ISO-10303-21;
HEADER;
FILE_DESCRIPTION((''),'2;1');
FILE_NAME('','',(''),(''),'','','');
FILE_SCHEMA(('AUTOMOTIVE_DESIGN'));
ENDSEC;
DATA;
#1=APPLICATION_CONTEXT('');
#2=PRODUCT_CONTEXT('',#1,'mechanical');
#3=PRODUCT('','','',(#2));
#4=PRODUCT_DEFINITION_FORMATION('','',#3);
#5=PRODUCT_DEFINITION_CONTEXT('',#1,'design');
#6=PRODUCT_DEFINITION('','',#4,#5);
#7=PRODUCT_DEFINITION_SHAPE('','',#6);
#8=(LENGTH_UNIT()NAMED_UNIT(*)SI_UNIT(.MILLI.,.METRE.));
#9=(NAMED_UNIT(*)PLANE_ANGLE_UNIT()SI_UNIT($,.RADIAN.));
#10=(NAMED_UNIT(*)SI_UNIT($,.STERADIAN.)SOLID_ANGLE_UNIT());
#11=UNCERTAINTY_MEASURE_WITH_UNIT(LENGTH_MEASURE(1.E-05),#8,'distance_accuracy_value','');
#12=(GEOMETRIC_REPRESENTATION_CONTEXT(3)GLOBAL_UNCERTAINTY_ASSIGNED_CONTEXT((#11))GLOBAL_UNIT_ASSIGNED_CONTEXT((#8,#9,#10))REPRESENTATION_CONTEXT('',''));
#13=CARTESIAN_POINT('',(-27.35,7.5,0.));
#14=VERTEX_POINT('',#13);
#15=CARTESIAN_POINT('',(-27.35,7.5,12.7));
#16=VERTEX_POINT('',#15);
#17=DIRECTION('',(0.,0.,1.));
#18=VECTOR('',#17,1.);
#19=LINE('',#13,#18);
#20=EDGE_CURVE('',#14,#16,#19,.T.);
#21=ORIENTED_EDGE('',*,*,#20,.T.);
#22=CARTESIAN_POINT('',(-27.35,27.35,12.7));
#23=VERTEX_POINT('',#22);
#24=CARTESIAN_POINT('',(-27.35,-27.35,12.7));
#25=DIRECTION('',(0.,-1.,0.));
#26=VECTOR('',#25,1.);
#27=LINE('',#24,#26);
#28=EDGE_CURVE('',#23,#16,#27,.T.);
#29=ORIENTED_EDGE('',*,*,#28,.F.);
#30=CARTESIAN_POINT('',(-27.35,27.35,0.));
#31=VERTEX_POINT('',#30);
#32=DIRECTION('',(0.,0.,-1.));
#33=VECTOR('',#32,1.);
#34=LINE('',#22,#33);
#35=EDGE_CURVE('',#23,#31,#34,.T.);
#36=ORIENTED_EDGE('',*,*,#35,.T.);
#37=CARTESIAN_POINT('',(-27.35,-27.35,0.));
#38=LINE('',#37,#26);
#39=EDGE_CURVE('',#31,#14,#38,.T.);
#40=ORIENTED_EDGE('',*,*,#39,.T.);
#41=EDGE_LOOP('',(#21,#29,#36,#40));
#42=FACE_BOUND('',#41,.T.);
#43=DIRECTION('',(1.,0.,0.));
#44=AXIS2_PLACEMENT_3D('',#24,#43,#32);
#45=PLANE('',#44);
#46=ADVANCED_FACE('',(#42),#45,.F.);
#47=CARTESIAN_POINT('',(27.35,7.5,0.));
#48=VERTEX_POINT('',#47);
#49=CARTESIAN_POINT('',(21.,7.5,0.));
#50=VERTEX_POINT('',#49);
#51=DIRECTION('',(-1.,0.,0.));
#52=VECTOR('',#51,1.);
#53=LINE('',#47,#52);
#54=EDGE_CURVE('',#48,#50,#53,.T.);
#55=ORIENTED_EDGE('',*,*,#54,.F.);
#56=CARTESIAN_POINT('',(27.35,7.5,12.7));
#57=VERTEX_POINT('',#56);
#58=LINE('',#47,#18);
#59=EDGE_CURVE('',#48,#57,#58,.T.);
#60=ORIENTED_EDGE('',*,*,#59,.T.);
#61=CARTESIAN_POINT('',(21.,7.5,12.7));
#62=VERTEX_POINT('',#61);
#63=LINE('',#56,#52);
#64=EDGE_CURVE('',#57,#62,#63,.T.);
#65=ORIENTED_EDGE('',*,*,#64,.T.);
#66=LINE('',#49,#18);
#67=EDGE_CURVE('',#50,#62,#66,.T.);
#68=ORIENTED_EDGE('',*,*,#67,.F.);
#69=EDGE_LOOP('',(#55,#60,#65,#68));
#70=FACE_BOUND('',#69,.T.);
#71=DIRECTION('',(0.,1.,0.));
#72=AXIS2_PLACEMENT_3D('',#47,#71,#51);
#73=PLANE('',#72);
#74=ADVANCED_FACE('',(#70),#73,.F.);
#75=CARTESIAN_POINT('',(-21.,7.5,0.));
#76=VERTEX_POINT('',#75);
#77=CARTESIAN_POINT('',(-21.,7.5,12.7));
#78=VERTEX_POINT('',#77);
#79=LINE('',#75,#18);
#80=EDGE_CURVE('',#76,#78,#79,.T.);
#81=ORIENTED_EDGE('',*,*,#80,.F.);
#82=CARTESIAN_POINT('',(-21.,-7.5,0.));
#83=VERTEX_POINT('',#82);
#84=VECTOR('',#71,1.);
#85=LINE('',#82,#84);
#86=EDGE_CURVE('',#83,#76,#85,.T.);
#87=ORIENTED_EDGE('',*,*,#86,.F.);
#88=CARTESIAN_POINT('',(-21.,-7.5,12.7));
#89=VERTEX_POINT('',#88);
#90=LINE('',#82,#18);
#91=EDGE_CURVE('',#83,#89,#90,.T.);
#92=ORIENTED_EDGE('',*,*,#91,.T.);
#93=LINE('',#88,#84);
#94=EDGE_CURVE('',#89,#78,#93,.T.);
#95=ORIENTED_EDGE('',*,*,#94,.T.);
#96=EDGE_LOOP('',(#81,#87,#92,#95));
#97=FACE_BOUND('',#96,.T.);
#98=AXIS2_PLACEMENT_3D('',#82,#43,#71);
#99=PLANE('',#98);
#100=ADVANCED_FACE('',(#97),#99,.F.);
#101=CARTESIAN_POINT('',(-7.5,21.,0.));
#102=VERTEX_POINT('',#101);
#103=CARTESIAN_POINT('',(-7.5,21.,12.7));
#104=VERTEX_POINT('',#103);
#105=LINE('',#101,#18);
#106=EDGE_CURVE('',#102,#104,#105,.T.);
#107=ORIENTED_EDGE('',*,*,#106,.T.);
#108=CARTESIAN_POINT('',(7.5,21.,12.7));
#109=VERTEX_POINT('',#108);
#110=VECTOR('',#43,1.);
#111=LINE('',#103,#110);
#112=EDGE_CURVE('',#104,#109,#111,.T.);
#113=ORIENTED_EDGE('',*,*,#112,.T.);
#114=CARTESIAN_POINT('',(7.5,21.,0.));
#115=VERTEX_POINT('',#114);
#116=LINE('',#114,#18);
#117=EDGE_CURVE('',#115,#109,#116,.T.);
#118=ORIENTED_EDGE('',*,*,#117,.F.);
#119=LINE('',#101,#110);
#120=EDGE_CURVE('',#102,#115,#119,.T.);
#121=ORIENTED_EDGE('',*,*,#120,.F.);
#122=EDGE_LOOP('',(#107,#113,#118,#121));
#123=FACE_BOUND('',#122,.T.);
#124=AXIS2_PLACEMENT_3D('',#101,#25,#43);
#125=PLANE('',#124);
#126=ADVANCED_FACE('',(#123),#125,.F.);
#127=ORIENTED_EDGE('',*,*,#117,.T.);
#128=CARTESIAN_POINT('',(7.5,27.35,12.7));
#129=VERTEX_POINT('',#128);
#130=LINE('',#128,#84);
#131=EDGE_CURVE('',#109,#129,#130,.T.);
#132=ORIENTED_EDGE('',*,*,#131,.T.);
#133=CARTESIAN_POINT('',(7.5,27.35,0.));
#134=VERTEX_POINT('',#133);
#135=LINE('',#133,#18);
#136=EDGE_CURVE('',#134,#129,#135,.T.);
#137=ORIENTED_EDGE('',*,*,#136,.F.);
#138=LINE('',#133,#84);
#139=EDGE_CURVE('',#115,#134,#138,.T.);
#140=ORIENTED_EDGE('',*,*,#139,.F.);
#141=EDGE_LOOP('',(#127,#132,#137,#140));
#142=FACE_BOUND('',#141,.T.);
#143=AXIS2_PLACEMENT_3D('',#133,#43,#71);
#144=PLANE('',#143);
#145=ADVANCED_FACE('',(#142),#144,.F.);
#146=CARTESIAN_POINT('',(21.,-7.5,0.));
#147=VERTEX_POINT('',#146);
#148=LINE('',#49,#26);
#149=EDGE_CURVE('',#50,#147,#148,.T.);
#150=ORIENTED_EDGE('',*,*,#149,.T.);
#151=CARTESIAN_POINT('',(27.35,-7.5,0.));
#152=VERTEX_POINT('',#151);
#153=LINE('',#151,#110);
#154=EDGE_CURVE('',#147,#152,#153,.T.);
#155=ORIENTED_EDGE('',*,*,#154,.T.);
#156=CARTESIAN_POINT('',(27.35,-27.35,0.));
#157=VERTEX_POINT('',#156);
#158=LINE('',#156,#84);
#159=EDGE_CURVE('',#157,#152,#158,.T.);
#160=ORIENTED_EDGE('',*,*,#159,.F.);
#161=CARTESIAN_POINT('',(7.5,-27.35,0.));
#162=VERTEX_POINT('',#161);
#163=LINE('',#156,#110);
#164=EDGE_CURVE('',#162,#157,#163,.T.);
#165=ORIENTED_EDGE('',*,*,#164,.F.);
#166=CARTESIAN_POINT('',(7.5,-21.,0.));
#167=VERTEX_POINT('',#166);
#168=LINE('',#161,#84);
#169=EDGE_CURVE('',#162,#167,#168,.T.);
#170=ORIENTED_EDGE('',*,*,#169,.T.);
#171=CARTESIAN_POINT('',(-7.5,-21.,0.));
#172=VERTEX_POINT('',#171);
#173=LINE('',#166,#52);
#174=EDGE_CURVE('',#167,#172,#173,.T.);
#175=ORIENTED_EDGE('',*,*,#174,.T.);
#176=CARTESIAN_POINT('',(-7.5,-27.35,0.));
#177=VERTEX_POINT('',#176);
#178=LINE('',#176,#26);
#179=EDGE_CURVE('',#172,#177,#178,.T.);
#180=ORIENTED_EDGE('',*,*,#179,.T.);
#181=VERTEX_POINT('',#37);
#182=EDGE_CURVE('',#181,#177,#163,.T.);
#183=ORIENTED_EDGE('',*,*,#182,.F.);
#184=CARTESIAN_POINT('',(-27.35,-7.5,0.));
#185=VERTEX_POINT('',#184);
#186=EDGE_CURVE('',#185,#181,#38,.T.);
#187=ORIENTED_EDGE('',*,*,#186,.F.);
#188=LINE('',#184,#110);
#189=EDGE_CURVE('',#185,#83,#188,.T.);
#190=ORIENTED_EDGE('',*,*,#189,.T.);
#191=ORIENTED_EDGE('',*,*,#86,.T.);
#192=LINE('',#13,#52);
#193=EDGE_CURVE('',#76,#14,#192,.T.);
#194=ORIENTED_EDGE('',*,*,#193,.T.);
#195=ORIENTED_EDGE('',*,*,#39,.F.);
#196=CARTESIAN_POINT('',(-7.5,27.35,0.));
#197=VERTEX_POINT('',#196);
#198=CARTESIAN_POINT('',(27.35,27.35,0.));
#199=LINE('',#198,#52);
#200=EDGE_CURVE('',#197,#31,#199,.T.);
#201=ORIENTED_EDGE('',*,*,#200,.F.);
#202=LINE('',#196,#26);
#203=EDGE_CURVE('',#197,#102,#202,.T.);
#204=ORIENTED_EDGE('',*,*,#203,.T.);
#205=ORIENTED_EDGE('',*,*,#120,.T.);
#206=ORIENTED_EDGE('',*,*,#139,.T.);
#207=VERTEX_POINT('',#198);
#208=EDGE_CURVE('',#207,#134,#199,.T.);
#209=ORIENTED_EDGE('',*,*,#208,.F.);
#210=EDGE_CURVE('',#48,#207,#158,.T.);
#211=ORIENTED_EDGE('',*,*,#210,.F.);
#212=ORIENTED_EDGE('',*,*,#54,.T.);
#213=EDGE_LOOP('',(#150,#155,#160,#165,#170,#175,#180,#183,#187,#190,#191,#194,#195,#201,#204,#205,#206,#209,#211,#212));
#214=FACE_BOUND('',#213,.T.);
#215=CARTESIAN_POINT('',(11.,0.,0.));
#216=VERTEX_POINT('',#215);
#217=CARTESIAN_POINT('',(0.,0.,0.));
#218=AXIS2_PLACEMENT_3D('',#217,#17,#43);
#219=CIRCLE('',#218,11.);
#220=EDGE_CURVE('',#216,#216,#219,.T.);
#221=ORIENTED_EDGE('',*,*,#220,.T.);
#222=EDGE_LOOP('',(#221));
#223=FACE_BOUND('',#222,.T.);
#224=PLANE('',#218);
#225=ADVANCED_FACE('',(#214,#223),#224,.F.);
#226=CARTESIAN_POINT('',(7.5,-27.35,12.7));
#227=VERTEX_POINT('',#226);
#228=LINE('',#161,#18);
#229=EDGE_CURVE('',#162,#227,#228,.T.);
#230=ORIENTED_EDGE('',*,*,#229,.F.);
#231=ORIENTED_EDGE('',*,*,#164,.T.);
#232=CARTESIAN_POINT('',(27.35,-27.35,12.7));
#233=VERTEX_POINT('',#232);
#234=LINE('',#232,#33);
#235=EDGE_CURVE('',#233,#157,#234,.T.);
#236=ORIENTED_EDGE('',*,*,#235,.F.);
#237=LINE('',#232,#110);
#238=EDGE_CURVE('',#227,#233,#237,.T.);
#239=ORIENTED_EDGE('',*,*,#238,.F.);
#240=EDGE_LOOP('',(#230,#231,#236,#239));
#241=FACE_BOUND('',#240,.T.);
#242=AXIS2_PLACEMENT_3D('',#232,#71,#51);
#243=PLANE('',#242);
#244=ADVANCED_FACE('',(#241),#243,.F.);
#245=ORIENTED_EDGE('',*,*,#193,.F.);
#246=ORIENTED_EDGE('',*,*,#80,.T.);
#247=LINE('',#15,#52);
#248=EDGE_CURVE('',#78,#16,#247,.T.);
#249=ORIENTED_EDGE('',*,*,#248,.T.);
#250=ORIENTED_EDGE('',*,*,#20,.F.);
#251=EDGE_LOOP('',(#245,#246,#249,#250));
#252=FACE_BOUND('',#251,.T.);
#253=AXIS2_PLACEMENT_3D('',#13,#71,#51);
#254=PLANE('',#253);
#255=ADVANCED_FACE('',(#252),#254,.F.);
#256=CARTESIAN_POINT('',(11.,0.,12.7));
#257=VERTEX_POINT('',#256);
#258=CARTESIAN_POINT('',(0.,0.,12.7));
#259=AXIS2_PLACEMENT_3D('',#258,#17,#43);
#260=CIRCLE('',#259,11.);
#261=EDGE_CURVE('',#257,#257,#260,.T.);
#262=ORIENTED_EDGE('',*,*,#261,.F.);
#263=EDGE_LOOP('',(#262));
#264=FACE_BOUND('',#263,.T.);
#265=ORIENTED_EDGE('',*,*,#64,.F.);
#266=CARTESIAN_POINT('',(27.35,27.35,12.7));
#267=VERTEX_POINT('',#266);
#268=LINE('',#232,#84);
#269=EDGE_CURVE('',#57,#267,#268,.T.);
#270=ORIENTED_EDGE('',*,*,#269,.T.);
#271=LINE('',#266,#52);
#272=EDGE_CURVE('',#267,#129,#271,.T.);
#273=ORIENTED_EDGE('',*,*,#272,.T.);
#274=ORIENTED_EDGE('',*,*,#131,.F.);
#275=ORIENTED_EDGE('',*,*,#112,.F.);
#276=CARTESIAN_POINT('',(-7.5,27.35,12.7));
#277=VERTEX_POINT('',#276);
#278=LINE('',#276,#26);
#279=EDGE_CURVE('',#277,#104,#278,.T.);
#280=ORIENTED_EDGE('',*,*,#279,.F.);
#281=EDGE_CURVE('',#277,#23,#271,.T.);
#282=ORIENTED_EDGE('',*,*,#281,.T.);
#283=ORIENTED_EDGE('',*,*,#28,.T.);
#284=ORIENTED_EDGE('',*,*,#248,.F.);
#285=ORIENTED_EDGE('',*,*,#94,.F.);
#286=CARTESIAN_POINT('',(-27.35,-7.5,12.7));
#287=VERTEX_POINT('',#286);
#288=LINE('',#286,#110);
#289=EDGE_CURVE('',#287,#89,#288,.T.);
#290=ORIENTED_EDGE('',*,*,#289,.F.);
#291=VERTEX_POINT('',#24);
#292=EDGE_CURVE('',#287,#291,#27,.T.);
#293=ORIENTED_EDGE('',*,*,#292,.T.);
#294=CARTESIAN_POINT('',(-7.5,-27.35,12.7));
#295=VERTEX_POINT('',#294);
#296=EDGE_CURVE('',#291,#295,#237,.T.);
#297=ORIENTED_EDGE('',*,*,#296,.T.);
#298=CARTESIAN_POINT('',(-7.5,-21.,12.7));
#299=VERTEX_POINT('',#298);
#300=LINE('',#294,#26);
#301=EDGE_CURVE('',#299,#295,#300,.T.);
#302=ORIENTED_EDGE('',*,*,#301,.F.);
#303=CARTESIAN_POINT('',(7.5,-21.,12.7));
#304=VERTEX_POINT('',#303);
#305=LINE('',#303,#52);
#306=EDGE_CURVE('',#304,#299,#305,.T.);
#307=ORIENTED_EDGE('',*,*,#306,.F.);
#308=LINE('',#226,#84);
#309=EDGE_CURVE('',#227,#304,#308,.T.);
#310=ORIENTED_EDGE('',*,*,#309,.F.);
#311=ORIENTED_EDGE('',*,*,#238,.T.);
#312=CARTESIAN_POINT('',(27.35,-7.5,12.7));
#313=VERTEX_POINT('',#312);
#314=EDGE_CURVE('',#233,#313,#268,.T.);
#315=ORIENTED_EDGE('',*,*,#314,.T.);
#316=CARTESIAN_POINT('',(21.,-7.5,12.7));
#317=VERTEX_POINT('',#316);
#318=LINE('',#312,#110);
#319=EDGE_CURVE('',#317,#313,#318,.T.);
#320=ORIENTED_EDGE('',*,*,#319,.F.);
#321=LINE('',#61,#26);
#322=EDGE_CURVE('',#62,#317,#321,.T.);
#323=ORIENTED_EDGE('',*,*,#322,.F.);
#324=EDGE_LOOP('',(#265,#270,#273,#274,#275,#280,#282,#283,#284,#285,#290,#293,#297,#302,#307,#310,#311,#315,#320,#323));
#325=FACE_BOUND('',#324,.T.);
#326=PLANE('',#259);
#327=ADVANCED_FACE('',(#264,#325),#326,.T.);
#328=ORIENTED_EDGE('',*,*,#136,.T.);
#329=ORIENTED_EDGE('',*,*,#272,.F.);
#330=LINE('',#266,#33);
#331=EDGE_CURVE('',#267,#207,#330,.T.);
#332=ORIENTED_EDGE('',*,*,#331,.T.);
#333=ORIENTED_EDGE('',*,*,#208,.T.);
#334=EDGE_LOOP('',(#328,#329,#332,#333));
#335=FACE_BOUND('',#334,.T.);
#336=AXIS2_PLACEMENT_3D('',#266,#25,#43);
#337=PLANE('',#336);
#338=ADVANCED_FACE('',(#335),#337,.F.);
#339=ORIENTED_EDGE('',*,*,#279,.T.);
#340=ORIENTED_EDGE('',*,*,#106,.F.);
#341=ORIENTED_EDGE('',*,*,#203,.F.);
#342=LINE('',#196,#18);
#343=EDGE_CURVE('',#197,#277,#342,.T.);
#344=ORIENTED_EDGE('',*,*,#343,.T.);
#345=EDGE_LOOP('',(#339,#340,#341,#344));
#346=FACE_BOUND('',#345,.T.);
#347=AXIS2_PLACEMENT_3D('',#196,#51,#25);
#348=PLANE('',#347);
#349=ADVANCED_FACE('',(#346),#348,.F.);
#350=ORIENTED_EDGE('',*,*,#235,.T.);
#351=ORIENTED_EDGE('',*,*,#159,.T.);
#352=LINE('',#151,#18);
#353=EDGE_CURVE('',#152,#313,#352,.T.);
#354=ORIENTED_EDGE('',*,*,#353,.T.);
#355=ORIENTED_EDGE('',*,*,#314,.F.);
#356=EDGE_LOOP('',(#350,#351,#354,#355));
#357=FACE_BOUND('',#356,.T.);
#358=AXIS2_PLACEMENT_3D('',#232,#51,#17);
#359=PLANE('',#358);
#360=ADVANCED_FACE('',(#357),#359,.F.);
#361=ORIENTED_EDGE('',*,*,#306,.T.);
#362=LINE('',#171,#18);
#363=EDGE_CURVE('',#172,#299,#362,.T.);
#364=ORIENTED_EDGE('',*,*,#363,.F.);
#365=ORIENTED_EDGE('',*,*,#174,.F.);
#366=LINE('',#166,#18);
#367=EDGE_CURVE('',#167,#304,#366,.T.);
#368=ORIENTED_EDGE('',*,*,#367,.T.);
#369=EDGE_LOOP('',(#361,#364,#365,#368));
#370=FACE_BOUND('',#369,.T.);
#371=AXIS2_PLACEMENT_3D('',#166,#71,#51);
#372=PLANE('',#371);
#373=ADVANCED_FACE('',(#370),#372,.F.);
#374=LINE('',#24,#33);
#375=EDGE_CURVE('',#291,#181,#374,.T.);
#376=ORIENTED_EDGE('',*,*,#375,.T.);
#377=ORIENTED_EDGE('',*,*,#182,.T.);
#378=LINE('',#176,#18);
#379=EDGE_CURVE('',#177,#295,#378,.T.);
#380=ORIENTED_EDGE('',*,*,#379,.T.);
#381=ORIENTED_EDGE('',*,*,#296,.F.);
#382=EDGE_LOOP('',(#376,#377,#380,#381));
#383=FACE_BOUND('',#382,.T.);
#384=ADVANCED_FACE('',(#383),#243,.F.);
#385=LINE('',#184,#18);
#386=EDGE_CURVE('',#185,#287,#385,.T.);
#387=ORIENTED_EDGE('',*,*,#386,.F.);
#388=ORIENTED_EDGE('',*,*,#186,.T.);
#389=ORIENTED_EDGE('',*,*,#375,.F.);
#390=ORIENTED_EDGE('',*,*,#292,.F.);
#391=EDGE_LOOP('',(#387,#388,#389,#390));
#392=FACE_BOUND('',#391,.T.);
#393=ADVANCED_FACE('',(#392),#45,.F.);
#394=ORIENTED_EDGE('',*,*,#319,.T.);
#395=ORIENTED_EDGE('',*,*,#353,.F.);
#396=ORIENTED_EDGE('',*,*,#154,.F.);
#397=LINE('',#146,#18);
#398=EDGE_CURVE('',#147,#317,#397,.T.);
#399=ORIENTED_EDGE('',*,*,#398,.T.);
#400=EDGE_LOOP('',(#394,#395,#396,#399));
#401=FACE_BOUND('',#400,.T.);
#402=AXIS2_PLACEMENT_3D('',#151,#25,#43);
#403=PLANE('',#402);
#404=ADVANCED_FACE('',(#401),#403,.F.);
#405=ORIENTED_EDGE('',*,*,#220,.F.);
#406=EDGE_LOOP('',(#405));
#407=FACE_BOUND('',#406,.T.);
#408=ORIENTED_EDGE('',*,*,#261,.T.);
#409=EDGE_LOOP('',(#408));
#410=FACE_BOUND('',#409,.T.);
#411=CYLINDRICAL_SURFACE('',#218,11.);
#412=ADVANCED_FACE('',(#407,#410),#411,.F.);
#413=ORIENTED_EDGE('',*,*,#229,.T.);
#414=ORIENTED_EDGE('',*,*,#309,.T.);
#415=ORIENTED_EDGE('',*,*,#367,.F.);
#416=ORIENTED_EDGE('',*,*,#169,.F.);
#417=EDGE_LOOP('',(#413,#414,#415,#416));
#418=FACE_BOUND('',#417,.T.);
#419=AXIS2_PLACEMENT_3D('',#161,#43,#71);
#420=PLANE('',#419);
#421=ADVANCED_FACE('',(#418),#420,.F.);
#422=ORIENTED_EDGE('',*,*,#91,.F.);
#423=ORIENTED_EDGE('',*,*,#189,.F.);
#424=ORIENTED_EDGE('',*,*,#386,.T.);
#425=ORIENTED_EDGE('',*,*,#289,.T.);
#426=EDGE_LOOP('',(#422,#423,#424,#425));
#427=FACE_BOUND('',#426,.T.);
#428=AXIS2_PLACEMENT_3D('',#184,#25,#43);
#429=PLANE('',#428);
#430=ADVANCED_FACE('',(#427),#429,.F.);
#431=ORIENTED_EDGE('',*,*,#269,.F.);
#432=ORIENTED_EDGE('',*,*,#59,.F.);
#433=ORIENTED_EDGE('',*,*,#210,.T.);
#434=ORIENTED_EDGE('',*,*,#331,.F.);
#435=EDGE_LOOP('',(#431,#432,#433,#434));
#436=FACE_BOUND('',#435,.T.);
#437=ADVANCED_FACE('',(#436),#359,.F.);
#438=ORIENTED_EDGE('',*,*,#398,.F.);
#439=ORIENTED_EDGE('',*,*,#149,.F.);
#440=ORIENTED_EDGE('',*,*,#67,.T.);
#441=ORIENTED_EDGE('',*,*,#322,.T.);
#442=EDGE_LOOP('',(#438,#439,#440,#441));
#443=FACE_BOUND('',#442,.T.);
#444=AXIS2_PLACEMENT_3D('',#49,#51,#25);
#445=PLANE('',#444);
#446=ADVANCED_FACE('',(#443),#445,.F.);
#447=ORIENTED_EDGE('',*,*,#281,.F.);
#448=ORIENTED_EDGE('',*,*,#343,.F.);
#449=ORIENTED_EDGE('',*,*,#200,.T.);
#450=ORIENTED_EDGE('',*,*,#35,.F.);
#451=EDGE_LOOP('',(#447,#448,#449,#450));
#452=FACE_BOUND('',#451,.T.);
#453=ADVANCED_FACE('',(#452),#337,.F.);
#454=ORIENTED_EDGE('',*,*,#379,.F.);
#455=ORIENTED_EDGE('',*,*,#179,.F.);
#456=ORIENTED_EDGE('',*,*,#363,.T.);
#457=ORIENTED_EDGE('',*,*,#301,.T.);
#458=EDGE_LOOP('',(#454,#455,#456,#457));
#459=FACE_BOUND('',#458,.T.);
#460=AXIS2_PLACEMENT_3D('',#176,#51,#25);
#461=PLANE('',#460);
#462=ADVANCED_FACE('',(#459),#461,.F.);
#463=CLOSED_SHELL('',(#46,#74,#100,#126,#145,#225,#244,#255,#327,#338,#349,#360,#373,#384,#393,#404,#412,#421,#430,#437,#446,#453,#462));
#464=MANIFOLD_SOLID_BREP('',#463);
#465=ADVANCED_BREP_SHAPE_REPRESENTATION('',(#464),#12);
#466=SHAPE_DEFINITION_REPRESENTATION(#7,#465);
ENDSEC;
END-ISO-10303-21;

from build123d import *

# Parameters (mm, degrees)
SKETCH1_W           = 54.7
SKETCH1_H           = 54.7
BOSS_EXTRUDE1_DEPTH = 12.7
SKETCH2_W           = 15
SKETCH2_H           = 6.35
CUT_EXTRUDE1_DEPTH  = 41.710379512
SKETCH3_R           = 11
CUT_EXTRUDE2_DEPTH  = 41.710379512
CIRPATTERN1_COUNT   = 4


with BuildPart() as part:
    # Sketch1 → Boss-Extrude1 (new body)
    with BuildSketch(Plane.XY):
        Rectangle(SKETCH1_W, SKETCH1_H)
    extrude(amount=BOSS_EXTRUDE1_DEPTH)

    # Sketch2 → Cut-Extrude1 (cut, through all)
    with BuildSketch(Plane.XY.offset(12.7)):
        with Locations((0, 24.175)):
            Rectangle(SKETCH2_W, SKETCH2_H)
    cut_extrude1 = extrude(amount=-CUT_EXTRUDE1_DEPTH, mode=Mode.SUBTRACT)

    # Sketch3 → Cut-Extrude2 (cut, through all)
    with BuildSketch(Plane.XY.offset(12.7)):
        Circle(SKETCH3_R)
    extrude(amount=-CUT_EXTRUDE2_DEPTH, mode=Mode.SUBTRACT)

    # CirPattern1: Cut-Extrude1 ×4 about axis
    cirpattern1_axis = Axis((0, 0, 0), (0, 0, 1))
    for i in range(1, CIRPATTERN1_COUNT):
        add(cut_extrude1.rotate(cirpattern1_axis, i * 360 / CIRPATTERN1_COUNT), mode=Mode.SUBTRACT)


solid = part.part
